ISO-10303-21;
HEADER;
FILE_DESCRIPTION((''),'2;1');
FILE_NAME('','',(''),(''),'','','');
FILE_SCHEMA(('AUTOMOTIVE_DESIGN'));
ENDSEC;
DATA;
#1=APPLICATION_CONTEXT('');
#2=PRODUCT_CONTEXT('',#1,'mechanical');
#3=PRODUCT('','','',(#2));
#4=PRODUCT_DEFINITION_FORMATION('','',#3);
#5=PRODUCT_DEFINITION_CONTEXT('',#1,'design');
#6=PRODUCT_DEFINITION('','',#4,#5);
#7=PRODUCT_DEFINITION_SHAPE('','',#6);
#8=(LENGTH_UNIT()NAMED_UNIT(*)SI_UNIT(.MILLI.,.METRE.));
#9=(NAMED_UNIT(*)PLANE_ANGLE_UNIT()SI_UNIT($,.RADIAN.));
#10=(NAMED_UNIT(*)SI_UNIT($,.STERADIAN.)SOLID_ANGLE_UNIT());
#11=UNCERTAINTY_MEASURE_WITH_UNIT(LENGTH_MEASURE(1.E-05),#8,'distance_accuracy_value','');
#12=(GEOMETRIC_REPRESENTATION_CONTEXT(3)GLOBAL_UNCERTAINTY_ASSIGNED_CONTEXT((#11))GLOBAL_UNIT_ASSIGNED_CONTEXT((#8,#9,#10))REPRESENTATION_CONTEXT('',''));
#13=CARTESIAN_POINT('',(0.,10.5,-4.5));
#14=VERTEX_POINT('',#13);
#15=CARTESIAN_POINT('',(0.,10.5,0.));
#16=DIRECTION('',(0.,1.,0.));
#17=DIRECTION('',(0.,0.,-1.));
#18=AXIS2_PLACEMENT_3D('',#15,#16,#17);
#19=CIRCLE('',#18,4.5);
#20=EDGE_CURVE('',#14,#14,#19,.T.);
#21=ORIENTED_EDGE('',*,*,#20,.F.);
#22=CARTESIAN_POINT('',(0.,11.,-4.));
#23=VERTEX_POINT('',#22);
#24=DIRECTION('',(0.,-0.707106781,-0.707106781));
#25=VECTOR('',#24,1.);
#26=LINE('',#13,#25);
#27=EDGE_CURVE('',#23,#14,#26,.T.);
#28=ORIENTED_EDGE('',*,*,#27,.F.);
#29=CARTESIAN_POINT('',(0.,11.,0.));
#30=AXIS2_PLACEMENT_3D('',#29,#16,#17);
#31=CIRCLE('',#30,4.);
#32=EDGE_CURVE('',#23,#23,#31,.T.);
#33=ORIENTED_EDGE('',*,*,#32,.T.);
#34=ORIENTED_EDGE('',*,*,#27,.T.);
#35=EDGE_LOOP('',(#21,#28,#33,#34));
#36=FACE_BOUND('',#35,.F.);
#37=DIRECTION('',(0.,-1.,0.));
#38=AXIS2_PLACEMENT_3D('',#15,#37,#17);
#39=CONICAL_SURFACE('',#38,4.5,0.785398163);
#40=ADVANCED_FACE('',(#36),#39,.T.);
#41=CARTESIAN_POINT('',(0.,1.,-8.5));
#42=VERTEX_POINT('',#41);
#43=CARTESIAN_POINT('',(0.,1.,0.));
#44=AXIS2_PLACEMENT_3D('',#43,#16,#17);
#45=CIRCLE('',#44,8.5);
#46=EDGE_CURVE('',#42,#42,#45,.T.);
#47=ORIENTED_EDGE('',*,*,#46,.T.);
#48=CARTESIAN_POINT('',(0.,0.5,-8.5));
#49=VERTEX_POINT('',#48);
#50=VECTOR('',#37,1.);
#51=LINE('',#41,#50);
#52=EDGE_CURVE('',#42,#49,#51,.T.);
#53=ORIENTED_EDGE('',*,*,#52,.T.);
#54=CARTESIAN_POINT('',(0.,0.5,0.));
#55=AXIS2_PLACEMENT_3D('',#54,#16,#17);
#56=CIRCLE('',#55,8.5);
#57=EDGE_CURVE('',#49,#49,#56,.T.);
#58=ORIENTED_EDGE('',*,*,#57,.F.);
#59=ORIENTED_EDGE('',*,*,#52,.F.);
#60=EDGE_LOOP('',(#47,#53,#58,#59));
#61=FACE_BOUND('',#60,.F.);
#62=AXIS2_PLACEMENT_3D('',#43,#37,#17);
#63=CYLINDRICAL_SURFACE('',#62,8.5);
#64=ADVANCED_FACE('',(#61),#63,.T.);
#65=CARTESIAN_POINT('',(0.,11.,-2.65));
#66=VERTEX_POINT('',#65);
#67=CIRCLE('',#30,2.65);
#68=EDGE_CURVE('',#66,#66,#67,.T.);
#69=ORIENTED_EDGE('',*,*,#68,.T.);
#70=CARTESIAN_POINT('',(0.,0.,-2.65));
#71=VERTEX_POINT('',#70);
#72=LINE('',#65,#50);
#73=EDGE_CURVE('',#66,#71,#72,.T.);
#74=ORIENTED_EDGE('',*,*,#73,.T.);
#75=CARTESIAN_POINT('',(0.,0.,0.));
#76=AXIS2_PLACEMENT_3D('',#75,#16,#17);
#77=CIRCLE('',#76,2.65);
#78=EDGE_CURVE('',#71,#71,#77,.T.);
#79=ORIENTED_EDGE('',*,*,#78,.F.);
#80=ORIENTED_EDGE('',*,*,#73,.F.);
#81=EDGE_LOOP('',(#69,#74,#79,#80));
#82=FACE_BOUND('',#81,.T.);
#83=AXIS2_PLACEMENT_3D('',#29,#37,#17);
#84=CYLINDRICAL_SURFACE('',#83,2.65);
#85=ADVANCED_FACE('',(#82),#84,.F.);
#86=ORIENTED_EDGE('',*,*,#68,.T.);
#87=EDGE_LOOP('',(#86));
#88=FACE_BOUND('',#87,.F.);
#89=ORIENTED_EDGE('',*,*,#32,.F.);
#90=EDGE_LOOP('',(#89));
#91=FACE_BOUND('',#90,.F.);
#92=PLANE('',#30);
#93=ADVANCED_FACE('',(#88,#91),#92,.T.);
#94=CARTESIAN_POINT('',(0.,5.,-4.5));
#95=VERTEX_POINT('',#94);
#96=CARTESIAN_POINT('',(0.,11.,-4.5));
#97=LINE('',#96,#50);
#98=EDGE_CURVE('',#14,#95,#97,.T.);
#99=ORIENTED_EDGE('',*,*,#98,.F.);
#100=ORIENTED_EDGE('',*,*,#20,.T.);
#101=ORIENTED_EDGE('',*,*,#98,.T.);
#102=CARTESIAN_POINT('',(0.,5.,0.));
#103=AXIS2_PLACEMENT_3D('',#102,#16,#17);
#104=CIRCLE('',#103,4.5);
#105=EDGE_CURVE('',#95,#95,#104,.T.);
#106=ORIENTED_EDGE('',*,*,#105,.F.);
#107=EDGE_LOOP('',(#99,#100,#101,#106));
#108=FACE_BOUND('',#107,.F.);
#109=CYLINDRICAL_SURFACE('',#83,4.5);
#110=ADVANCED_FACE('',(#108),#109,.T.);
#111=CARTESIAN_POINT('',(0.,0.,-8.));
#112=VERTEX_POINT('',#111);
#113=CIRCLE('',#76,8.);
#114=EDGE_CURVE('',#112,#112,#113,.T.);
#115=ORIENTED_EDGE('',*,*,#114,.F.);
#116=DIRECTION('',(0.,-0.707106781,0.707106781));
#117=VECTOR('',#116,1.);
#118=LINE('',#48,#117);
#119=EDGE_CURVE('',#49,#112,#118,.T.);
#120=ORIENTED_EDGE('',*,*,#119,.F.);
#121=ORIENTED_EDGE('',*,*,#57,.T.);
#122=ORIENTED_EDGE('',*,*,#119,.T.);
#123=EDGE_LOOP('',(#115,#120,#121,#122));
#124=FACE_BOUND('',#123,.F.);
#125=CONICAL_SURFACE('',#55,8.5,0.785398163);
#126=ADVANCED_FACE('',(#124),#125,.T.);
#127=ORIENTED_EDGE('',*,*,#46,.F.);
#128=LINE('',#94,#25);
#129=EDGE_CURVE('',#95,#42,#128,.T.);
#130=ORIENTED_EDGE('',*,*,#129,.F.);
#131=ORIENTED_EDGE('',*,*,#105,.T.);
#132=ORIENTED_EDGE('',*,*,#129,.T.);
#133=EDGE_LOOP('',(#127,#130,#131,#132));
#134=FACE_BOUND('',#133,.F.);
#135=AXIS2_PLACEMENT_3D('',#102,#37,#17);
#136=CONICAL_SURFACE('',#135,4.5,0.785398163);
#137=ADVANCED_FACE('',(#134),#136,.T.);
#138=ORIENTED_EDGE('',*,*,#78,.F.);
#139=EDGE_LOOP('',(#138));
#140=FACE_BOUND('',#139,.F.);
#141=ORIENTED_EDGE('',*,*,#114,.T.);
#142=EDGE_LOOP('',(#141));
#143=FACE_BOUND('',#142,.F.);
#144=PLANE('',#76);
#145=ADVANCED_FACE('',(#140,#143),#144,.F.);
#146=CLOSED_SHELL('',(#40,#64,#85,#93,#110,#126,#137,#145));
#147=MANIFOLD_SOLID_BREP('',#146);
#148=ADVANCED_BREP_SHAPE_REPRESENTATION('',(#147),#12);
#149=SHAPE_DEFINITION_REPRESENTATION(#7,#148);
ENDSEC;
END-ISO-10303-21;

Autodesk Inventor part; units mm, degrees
ref_plane "YZ Plane" through (0, 0, 0) normal (1, 0, 0) x (0, 1, 0)
ref_plane "XZ Plane" through (0, 0, 0) normal (0, 1, 0) x (-1, 0, 0)
ref_plane "XY Plane" through (0, 0, 0) normal (0, 0, 1) x (1, 0, 0)
sketch "Sketch1" plane through (0, 0, 0) normal (1, 0, 0) x (0, 1, 0)
  line L0 (0, 0) -> (11, 0) construction
  line L1 (11, 0) -> (11, -2.65) construction
  line L2 (11, -2.65) -> (0, -2.65)
  line L3 (0, -2.65) -> (0, 0) construction
  line L4 (11, -2.65) -> (11, -4.5)
  line L5 (11, -4.5) -> (5, -4.5)
  line L6 (5, -4.5) -> (1, -8.5)
  line L7 (1, -8.5) -> (0, -8.5)
  line L8 (0, -8.5) -> (0, -2.65)
  dimension "d0" = 1
  dimension "d1" = 6
  dimension "d2" = 2.65
  dimension "d3" = 4.5
  dimension "d4" = 5
  dimension "d5" = 8.5
revolve "Revolution1" add sketch "Sketch1" angle 360 about axis through (0, 0, 0) along (0, 1, 0)
chamfer "Chamfer1" distance 0.5 angle 45 2 edges at (0, 11, 4.5) (0, 0, 8.5)
properties part number "SingleWheelPost"
